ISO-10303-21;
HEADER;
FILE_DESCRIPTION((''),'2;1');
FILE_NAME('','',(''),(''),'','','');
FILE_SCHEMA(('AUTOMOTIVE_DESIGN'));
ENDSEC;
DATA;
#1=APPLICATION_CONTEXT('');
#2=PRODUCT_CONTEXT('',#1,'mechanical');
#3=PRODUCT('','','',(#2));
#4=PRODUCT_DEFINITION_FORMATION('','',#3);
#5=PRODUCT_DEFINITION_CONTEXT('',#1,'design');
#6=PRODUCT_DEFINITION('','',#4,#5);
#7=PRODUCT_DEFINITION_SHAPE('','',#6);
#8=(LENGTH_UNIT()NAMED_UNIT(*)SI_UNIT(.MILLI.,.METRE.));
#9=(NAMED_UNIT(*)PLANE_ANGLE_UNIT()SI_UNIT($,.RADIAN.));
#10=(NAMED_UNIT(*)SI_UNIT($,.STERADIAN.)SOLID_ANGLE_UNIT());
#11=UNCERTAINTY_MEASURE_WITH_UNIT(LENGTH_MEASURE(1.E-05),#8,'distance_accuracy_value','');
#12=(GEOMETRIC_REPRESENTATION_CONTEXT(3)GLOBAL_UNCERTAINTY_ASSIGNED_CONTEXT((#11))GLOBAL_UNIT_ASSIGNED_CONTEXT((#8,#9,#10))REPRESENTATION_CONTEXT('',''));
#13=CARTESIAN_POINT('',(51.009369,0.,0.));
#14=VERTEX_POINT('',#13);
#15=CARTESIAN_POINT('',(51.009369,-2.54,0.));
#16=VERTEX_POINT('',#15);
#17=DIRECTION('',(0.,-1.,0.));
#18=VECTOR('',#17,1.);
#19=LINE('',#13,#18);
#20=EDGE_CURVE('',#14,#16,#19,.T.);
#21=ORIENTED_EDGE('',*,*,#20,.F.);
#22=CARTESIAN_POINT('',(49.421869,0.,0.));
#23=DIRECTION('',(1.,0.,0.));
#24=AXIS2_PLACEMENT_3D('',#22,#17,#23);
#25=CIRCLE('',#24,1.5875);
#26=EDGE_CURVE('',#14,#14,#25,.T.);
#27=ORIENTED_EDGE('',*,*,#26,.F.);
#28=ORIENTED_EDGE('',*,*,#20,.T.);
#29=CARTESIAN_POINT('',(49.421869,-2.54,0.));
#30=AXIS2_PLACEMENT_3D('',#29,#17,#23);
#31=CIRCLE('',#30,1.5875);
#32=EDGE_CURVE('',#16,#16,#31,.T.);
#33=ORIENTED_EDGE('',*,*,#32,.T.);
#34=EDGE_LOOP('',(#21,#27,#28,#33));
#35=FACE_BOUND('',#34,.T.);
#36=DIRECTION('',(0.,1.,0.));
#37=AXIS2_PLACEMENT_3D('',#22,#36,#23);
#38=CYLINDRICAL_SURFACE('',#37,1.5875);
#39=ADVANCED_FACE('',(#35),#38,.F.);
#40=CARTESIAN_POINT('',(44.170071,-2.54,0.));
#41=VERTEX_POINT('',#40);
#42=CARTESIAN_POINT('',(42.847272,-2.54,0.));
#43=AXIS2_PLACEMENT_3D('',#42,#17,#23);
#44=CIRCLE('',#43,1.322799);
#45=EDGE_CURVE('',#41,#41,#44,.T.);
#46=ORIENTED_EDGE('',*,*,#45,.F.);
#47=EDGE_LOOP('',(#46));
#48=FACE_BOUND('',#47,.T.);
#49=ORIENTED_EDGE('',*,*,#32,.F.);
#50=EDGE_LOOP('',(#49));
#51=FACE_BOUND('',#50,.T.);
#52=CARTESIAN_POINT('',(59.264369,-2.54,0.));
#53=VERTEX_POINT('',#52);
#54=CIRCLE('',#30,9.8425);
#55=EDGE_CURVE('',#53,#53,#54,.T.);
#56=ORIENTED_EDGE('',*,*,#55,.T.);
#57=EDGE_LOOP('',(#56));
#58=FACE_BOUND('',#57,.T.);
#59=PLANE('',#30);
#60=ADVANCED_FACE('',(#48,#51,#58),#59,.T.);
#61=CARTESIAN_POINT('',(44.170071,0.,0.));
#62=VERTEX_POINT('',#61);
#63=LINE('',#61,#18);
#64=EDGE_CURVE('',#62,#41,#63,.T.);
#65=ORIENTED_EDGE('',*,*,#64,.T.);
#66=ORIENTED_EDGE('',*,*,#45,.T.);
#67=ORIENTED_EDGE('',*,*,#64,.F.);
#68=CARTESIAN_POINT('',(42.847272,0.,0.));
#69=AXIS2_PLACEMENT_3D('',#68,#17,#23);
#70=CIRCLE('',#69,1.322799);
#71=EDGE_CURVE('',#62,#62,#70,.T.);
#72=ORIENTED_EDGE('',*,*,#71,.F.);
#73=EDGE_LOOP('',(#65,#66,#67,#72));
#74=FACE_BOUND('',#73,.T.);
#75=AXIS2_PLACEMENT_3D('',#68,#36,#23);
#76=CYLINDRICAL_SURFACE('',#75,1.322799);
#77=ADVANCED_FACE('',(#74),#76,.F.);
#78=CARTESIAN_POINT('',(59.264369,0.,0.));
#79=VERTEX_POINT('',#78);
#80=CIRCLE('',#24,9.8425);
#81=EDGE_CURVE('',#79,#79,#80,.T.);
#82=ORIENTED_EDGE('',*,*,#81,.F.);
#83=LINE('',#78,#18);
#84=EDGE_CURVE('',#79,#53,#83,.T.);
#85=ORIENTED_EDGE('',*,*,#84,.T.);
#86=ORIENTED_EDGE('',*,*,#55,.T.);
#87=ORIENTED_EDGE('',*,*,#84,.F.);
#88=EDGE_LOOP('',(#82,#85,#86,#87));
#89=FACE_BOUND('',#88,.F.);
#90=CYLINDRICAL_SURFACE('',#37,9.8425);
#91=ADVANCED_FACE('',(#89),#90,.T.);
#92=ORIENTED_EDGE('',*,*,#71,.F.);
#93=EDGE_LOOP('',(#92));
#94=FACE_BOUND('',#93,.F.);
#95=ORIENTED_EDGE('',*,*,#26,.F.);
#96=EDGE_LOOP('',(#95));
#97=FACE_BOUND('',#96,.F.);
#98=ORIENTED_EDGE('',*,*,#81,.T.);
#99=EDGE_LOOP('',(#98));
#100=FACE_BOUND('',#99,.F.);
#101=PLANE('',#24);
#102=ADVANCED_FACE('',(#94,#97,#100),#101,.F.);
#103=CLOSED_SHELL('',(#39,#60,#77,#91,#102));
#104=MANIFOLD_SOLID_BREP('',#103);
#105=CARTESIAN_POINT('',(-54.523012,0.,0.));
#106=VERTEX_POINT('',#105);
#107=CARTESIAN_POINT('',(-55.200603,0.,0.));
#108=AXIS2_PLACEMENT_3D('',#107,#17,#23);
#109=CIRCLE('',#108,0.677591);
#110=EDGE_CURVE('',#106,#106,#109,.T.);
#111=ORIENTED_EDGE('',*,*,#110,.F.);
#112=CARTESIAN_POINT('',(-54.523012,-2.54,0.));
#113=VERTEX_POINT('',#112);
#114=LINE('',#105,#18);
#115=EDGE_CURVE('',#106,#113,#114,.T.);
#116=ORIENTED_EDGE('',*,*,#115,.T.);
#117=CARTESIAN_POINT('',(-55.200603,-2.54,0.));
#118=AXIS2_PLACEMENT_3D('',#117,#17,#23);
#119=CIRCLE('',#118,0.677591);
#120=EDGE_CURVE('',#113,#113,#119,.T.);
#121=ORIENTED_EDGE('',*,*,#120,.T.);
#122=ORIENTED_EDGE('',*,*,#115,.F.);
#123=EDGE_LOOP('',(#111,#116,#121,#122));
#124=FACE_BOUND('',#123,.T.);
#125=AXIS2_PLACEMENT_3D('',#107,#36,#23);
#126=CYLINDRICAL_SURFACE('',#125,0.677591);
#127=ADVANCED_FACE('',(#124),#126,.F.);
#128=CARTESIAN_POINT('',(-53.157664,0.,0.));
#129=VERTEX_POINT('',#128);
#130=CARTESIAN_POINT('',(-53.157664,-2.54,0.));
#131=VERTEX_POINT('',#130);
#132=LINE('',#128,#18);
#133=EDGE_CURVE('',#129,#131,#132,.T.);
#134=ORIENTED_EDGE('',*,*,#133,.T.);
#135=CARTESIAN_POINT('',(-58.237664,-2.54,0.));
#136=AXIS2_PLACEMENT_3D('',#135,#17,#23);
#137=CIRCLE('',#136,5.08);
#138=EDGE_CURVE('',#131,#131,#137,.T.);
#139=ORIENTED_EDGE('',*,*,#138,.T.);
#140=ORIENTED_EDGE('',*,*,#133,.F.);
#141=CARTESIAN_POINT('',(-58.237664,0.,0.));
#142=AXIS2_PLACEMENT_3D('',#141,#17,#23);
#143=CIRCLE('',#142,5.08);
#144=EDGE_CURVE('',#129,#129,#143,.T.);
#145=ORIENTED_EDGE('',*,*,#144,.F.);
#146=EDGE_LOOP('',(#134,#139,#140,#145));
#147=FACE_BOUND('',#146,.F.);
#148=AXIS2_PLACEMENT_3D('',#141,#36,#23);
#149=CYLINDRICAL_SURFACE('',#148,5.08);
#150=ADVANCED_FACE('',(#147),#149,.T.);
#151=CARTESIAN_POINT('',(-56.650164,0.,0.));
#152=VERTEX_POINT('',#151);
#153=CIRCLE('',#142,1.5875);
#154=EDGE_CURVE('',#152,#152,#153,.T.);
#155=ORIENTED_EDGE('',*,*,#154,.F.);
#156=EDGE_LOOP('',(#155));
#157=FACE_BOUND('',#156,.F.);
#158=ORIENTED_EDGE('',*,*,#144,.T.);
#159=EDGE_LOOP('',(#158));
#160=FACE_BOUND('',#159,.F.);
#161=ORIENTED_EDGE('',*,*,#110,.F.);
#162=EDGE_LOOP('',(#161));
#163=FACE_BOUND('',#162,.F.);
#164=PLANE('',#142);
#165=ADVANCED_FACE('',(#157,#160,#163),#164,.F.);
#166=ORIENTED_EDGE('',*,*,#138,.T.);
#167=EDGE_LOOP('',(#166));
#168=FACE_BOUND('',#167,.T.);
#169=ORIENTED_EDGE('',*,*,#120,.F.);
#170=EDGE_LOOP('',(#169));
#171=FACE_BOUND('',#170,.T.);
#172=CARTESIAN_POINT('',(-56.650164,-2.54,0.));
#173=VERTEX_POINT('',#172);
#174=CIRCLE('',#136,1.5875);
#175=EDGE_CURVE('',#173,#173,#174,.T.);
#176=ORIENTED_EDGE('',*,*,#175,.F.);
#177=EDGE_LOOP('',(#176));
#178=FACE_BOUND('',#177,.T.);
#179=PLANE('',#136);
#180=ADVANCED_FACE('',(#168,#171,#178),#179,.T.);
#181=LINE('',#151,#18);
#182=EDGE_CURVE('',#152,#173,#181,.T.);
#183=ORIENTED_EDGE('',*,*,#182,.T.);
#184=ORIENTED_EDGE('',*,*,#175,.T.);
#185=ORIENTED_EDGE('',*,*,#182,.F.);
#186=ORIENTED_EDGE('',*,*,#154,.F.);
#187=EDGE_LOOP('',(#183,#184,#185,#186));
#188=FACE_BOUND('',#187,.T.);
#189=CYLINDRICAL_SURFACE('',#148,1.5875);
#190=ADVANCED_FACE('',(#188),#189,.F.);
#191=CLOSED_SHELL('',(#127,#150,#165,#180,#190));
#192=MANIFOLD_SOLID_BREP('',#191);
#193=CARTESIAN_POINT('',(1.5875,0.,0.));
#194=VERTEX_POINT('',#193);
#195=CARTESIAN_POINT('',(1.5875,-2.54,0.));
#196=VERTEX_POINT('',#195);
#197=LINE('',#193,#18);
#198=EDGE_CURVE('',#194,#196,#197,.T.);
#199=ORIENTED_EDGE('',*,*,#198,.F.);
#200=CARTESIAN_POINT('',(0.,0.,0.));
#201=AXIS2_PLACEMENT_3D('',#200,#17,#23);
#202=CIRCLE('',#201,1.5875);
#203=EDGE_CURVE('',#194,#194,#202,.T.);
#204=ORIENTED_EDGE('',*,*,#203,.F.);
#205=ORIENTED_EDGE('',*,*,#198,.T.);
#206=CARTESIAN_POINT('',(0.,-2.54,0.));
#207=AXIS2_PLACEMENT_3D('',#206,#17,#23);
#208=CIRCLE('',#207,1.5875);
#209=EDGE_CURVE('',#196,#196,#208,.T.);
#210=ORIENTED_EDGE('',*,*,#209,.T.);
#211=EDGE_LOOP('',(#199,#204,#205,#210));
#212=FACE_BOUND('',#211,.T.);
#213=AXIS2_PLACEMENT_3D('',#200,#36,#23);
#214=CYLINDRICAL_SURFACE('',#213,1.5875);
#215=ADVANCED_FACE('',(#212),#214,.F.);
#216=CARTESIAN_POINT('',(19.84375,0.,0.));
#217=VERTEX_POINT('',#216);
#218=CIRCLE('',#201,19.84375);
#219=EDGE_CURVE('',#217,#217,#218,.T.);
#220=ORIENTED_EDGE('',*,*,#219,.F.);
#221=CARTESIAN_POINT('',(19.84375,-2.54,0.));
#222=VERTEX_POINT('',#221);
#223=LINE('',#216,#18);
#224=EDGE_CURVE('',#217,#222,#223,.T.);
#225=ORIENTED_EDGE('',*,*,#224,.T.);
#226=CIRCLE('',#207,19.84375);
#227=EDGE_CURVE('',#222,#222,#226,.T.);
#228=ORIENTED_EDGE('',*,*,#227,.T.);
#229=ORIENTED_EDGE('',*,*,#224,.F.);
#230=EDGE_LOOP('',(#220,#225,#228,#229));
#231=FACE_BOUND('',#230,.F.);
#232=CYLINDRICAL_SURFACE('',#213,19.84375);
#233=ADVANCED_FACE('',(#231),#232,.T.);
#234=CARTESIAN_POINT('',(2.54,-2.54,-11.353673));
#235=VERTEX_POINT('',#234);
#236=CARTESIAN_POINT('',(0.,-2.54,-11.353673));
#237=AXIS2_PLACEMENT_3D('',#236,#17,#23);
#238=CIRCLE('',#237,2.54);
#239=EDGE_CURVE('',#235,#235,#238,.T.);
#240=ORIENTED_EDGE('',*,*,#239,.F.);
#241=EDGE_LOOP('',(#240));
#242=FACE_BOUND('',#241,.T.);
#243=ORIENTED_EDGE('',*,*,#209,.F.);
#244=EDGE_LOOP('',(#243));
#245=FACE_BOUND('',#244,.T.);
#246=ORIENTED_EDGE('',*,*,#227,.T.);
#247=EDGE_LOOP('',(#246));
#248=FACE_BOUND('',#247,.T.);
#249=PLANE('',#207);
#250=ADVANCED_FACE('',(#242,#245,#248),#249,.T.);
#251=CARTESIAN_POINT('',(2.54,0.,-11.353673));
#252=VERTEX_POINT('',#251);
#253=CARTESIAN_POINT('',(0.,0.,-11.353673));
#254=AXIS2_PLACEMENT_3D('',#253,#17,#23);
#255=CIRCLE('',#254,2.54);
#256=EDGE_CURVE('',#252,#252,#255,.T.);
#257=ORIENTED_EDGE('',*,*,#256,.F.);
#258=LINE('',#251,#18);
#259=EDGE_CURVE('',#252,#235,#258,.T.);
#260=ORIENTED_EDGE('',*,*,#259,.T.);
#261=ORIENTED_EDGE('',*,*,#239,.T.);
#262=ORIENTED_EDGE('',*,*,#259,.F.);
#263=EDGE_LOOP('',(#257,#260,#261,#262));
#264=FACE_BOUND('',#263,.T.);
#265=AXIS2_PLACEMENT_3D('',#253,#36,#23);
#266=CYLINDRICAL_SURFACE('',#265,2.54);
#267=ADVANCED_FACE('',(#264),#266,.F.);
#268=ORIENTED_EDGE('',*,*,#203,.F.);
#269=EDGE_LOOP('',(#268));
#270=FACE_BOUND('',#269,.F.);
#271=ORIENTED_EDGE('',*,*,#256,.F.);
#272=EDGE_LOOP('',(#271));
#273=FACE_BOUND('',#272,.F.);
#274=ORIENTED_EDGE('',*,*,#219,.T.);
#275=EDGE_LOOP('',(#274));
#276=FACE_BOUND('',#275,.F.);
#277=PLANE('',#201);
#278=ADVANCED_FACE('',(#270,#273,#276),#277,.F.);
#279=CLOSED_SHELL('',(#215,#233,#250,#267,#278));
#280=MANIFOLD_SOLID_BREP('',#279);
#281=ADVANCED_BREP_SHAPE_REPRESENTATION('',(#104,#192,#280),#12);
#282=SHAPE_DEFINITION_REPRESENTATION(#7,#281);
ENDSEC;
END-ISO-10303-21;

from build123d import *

# Parameters (mm, degrees)
F0_R     = 5.08
F0_R_2   = 1.5875
F0_R_3   = 0.677591
F0_R_4   = 9.8425
F0_R_5   = 1.322799
F0_R_6   = 19.84375
F0_R_7   = 2.54
F1_DEPTH = 2.54


with BuildPart() as f1:
    # F0 (on Front) → F1 (new body)
    with BuildSketch(Plane.XZ):
        with Locations((-58.237664, 0)):
            Circle(F0_R)
        with Locations((-58.237664, 0)):
            Circle(F0_R_2, mode=Mode.SUBTRACT)
        with Locations((-55.200603, 0)):
            Circle(F0_R_3, mode=Mode.SUBTRACT)
        with Locations((49.421869, 0)):
            Circle(F0_R_4)
        with Locations((42.847272, 0)):
            Circle(F0_R_5, mode=Mode.SUBTRACT)
        with Locations((49.421869, 0)):
            Circle(F0_R_2, mode=Mode.SUBTRACT)
        Circle(F0_R_6)
        with Locations((0, -11.353673)):
            Circle(F0_R_7, mode=Mode.SUBTRACT)
        Circle(F0_R_2, mode=Mode.SUBTRACT)
    extrude(amount=F1_DEPTH)


solid = f1.part
